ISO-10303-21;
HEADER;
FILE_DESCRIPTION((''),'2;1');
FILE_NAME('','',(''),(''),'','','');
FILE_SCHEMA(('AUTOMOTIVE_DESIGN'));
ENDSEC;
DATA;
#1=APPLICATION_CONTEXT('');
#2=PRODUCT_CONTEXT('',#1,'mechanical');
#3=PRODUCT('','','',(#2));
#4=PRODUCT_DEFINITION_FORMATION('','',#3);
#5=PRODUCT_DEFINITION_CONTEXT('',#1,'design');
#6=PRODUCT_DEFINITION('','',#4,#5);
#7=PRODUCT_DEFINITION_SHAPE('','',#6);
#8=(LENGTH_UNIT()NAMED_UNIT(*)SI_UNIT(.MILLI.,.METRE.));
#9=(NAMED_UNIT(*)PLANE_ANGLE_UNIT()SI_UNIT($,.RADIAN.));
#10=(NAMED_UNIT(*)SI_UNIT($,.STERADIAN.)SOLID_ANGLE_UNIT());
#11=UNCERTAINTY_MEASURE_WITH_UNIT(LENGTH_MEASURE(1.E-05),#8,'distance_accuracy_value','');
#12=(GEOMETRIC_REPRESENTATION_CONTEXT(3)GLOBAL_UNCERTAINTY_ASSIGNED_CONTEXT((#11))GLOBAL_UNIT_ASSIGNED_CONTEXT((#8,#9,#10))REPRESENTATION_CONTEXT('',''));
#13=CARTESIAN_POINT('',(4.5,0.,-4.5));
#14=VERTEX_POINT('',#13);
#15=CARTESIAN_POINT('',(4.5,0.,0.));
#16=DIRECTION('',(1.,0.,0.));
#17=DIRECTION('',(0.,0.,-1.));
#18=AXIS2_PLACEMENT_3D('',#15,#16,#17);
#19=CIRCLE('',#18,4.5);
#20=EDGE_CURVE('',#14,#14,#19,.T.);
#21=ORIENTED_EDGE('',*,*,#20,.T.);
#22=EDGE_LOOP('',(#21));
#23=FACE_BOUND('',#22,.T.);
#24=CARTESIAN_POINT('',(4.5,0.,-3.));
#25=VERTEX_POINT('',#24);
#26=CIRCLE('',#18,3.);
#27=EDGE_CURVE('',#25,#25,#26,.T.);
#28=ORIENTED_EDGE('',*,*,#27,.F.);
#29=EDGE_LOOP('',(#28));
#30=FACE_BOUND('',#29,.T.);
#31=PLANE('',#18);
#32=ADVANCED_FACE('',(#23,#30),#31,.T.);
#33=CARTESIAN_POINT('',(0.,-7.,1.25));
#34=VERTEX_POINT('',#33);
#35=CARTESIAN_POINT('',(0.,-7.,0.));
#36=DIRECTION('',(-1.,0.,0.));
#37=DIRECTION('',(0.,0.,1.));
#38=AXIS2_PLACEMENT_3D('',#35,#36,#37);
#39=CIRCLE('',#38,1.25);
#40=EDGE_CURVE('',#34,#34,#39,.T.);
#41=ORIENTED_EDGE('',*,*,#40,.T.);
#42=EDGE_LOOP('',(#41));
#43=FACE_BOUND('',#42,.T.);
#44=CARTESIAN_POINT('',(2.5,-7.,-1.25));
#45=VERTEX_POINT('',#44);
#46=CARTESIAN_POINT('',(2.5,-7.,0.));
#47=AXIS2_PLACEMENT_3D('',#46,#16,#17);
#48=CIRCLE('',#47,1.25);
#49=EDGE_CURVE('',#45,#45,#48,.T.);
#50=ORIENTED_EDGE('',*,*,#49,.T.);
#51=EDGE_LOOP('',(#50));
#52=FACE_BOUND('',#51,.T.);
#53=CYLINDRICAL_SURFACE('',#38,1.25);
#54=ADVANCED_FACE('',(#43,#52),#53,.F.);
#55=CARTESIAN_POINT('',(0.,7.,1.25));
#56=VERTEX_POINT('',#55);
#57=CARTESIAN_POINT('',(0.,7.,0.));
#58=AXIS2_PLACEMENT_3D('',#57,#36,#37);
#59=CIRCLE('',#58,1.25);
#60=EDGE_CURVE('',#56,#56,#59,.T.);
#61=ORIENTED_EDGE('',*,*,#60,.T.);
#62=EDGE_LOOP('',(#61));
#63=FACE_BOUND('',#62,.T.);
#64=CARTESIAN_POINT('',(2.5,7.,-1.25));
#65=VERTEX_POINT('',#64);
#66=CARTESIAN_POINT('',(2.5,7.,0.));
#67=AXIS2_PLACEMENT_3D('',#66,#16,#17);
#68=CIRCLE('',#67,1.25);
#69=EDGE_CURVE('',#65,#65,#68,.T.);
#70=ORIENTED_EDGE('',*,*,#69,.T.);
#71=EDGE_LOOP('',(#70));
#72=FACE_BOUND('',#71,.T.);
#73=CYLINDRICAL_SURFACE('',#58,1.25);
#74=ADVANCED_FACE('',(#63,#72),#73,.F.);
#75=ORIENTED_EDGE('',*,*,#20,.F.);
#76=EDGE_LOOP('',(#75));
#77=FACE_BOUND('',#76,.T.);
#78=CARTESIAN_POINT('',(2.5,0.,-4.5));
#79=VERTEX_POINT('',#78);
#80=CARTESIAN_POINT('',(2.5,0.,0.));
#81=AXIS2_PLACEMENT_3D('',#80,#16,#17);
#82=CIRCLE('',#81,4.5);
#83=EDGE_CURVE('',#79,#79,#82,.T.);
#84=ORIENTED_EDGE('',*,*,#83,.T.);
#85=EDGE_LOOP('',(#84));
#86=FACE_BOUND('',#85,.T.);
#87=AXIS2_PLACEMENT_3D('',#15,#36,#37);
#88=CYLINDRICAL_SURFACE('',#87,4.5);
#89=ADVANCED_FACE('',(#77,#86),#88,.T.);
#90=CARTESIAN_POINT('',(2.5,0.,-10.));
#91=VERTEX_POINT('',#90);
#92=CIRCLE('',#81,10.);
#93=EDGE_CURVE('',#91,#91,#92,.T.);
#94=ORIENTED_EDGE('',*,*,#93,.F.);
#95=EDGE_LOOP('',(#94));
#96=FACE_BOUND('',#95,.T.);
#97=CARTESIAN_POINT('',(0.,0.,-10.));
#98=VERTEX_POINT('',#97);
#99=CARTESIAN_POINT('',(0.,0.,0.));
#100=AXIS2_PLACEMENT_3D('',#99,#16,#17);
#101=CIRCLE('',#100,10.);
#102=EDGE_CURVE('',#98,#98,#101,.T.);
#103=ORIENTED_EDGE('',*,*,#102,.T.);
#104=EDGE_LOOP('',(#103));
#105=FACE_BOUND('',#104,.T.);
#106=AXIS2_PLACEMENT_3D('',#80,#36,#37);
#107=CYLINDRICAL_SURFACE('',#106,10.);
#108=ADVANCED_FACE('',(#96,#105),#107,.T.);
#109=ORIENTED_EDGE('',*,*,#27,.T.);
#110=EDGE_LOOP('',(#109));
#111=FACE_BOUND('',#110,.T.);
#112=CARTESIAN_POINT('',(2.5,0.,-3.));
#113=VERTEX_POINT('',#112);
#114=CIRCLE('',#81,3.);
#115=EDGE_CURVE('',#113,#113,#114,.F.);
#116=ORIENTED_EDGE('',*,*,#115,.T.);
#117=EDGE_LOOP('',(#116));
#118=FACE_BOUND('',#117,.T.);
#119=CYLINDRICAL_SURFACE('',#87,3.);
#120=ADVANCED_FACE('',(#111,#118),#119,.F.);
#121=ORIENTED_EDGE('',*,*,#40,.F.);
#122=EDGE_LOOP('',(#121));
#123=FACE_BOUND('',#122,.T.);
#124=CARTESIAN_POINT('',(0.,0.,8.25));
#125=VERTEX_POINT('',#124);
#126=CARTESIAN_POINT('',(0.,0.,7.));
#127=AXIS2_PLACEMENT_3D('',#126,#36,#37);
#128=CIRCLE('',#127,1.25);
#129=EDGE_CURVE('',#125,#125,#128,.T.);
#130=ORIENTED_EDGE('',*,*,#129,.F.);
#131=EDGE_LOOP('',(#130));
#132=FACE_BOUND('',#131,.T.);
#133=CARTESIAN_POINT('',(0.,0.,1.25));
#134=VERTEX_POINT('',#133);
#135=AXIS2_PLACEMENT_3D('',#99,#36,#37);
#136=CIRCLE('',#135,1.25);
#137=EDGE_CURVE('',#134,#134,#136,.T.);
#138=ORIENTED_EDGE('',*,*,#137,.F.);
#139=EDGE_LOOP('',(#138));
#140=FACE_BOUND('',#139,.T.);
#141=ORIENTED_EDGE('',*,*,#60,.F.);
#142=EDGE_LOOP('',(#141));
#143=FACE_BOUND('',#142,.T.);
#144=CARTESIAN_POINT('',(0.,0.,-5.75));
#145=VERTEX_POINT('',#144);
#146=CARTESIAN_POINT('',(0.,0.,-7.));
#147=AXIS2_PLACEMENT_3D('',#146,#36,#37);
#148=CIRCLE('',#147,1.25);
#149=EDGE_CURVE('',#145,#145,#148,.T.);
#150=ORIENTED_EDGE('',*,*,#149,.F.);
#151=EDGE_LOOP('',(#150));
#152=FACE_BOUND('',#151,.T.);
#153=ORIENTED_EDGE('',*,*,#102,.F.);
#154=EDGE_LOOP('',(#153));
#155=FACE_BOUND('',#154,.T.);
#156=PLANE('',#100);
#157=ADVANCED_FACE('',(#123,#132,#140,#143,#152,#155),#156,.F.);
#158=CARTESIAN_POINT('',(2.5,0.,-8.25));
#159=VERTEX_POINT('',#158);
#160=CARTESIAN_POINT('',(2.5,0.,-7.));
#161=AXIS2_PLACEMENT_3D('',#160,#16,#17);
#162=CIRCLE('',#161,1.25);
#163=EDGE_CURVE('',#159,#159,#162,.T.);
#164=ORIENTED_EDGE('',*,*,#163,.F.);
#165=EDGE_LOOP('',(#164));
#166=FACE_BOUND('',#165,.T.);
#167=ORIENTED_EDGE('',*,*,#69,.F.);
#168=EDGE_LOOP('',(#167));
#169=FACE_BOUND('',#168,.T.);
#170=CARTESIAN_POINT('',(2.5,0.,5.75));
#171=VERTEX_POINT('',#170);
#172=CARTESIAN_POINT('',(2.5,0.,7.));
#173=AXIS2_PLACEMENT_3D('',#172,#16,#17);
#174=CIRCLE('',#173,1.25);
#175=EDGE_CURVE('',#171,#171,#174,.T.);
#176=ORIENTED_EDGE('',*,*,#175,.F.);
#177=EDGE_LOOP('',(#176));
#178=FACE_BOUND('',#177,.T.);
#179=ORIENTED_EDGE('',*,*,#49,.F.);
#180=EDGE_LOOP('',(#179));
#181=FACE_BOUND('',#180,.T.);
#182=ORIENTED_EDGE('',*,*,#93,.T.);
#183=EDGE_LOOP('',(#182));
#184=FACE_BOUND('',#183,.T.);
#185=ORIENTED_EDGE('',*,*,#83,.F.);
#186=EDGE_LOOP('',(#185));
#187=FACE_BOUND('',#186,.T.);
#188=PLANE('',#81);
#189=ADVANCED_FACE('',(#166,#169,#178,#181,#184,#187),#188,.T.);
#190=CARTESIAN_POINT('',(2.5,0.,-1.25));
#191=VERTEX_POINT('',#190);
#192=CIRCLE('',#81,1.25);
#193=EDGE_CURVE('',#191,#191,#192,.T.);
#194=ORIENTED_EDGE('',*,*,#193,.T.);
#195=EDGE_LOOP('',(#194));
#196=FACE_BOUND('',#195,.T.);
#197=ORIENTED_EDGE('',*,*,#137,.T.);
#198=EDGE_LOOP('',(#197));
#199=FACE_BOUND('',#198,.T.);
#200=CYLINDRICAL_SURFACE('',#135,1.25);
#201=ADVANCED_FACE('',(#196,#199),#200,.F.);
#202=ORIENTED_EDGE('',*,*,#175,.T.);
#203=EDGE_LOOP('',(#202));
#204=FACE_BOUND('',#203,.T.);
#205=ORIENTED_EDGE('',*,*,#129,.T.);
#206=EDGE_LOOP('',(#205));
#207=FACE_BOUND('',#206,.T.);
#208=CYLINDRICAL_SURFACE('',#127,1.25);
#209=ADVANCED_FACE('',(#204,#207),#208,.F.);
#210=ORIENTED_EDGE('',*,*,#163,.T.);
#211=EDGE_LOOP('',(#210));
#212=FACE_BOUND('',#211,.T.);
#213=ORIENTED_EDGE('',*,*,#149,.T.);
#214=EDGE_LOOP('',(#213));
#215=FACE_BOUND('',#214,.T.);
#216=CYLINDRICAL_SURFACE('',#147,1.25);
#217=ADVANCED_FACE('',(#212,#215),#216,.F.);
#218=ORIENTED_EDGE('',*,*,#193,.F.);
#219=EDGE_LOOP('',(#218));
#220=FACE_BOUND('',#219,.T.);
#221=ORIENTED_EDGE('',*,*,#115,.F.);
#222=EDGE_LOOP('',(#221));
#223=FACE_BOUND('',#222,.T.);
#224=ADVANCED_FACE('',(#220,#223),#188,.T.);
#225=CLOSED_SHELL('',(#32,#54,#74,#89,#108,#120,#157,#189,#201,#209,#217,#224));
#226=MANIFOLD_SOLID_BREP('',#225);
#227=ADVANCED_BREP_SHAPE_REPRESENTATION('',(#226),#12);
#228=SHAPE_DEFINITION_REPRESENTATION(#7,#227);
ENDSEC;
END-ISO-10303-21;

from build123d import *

# Parameters (mm, degrees)
SKETCH_1_R         = 10
EXTRUDE_1_DEPTH    = 2.5
SKETCH_2_R         = 4.5
SKETCH_2_R_2       = 3
EXTRUDE_2_DEPTH    = 2
HOLE_WIZARD_M3_1_D = 2.5


with BuildPart() as part:
    # 草图1 → 凸台-拉伸1 (new body)
    with BuildSketch(Plane(origin=(0, 0, 0), x_dir=(0, 0, -1), z_dir=(1, 0, 0))):
        Circle(SKETCH_1_R)
    extrude(amount=EXTRUDE_1_DEPTH)

    # 草图2 → 凸台-拉伸2 (add)
    with BuildSketch(Plane(origin=(2.5, 0, 0), x_dir=(0, 0, -1), z_dir=(1, 0, 0))):
        Circle(SKETCH_2_R)
        Circle(SKETCH_2_R_2, mode=Mode.SUBTRACT)
    extrude(amount=EXTRUDE_2_DEPTH)

    # M3 螺纹孔1 (through all)
    with Locations(Plane.ZY):
        with Locations((0, 0), (0, 7), (-7, 0), (7, 0), (0, -7)):
            Hole(HOLE_WIZARD_M3_1_D / 2)


solid = part.part
